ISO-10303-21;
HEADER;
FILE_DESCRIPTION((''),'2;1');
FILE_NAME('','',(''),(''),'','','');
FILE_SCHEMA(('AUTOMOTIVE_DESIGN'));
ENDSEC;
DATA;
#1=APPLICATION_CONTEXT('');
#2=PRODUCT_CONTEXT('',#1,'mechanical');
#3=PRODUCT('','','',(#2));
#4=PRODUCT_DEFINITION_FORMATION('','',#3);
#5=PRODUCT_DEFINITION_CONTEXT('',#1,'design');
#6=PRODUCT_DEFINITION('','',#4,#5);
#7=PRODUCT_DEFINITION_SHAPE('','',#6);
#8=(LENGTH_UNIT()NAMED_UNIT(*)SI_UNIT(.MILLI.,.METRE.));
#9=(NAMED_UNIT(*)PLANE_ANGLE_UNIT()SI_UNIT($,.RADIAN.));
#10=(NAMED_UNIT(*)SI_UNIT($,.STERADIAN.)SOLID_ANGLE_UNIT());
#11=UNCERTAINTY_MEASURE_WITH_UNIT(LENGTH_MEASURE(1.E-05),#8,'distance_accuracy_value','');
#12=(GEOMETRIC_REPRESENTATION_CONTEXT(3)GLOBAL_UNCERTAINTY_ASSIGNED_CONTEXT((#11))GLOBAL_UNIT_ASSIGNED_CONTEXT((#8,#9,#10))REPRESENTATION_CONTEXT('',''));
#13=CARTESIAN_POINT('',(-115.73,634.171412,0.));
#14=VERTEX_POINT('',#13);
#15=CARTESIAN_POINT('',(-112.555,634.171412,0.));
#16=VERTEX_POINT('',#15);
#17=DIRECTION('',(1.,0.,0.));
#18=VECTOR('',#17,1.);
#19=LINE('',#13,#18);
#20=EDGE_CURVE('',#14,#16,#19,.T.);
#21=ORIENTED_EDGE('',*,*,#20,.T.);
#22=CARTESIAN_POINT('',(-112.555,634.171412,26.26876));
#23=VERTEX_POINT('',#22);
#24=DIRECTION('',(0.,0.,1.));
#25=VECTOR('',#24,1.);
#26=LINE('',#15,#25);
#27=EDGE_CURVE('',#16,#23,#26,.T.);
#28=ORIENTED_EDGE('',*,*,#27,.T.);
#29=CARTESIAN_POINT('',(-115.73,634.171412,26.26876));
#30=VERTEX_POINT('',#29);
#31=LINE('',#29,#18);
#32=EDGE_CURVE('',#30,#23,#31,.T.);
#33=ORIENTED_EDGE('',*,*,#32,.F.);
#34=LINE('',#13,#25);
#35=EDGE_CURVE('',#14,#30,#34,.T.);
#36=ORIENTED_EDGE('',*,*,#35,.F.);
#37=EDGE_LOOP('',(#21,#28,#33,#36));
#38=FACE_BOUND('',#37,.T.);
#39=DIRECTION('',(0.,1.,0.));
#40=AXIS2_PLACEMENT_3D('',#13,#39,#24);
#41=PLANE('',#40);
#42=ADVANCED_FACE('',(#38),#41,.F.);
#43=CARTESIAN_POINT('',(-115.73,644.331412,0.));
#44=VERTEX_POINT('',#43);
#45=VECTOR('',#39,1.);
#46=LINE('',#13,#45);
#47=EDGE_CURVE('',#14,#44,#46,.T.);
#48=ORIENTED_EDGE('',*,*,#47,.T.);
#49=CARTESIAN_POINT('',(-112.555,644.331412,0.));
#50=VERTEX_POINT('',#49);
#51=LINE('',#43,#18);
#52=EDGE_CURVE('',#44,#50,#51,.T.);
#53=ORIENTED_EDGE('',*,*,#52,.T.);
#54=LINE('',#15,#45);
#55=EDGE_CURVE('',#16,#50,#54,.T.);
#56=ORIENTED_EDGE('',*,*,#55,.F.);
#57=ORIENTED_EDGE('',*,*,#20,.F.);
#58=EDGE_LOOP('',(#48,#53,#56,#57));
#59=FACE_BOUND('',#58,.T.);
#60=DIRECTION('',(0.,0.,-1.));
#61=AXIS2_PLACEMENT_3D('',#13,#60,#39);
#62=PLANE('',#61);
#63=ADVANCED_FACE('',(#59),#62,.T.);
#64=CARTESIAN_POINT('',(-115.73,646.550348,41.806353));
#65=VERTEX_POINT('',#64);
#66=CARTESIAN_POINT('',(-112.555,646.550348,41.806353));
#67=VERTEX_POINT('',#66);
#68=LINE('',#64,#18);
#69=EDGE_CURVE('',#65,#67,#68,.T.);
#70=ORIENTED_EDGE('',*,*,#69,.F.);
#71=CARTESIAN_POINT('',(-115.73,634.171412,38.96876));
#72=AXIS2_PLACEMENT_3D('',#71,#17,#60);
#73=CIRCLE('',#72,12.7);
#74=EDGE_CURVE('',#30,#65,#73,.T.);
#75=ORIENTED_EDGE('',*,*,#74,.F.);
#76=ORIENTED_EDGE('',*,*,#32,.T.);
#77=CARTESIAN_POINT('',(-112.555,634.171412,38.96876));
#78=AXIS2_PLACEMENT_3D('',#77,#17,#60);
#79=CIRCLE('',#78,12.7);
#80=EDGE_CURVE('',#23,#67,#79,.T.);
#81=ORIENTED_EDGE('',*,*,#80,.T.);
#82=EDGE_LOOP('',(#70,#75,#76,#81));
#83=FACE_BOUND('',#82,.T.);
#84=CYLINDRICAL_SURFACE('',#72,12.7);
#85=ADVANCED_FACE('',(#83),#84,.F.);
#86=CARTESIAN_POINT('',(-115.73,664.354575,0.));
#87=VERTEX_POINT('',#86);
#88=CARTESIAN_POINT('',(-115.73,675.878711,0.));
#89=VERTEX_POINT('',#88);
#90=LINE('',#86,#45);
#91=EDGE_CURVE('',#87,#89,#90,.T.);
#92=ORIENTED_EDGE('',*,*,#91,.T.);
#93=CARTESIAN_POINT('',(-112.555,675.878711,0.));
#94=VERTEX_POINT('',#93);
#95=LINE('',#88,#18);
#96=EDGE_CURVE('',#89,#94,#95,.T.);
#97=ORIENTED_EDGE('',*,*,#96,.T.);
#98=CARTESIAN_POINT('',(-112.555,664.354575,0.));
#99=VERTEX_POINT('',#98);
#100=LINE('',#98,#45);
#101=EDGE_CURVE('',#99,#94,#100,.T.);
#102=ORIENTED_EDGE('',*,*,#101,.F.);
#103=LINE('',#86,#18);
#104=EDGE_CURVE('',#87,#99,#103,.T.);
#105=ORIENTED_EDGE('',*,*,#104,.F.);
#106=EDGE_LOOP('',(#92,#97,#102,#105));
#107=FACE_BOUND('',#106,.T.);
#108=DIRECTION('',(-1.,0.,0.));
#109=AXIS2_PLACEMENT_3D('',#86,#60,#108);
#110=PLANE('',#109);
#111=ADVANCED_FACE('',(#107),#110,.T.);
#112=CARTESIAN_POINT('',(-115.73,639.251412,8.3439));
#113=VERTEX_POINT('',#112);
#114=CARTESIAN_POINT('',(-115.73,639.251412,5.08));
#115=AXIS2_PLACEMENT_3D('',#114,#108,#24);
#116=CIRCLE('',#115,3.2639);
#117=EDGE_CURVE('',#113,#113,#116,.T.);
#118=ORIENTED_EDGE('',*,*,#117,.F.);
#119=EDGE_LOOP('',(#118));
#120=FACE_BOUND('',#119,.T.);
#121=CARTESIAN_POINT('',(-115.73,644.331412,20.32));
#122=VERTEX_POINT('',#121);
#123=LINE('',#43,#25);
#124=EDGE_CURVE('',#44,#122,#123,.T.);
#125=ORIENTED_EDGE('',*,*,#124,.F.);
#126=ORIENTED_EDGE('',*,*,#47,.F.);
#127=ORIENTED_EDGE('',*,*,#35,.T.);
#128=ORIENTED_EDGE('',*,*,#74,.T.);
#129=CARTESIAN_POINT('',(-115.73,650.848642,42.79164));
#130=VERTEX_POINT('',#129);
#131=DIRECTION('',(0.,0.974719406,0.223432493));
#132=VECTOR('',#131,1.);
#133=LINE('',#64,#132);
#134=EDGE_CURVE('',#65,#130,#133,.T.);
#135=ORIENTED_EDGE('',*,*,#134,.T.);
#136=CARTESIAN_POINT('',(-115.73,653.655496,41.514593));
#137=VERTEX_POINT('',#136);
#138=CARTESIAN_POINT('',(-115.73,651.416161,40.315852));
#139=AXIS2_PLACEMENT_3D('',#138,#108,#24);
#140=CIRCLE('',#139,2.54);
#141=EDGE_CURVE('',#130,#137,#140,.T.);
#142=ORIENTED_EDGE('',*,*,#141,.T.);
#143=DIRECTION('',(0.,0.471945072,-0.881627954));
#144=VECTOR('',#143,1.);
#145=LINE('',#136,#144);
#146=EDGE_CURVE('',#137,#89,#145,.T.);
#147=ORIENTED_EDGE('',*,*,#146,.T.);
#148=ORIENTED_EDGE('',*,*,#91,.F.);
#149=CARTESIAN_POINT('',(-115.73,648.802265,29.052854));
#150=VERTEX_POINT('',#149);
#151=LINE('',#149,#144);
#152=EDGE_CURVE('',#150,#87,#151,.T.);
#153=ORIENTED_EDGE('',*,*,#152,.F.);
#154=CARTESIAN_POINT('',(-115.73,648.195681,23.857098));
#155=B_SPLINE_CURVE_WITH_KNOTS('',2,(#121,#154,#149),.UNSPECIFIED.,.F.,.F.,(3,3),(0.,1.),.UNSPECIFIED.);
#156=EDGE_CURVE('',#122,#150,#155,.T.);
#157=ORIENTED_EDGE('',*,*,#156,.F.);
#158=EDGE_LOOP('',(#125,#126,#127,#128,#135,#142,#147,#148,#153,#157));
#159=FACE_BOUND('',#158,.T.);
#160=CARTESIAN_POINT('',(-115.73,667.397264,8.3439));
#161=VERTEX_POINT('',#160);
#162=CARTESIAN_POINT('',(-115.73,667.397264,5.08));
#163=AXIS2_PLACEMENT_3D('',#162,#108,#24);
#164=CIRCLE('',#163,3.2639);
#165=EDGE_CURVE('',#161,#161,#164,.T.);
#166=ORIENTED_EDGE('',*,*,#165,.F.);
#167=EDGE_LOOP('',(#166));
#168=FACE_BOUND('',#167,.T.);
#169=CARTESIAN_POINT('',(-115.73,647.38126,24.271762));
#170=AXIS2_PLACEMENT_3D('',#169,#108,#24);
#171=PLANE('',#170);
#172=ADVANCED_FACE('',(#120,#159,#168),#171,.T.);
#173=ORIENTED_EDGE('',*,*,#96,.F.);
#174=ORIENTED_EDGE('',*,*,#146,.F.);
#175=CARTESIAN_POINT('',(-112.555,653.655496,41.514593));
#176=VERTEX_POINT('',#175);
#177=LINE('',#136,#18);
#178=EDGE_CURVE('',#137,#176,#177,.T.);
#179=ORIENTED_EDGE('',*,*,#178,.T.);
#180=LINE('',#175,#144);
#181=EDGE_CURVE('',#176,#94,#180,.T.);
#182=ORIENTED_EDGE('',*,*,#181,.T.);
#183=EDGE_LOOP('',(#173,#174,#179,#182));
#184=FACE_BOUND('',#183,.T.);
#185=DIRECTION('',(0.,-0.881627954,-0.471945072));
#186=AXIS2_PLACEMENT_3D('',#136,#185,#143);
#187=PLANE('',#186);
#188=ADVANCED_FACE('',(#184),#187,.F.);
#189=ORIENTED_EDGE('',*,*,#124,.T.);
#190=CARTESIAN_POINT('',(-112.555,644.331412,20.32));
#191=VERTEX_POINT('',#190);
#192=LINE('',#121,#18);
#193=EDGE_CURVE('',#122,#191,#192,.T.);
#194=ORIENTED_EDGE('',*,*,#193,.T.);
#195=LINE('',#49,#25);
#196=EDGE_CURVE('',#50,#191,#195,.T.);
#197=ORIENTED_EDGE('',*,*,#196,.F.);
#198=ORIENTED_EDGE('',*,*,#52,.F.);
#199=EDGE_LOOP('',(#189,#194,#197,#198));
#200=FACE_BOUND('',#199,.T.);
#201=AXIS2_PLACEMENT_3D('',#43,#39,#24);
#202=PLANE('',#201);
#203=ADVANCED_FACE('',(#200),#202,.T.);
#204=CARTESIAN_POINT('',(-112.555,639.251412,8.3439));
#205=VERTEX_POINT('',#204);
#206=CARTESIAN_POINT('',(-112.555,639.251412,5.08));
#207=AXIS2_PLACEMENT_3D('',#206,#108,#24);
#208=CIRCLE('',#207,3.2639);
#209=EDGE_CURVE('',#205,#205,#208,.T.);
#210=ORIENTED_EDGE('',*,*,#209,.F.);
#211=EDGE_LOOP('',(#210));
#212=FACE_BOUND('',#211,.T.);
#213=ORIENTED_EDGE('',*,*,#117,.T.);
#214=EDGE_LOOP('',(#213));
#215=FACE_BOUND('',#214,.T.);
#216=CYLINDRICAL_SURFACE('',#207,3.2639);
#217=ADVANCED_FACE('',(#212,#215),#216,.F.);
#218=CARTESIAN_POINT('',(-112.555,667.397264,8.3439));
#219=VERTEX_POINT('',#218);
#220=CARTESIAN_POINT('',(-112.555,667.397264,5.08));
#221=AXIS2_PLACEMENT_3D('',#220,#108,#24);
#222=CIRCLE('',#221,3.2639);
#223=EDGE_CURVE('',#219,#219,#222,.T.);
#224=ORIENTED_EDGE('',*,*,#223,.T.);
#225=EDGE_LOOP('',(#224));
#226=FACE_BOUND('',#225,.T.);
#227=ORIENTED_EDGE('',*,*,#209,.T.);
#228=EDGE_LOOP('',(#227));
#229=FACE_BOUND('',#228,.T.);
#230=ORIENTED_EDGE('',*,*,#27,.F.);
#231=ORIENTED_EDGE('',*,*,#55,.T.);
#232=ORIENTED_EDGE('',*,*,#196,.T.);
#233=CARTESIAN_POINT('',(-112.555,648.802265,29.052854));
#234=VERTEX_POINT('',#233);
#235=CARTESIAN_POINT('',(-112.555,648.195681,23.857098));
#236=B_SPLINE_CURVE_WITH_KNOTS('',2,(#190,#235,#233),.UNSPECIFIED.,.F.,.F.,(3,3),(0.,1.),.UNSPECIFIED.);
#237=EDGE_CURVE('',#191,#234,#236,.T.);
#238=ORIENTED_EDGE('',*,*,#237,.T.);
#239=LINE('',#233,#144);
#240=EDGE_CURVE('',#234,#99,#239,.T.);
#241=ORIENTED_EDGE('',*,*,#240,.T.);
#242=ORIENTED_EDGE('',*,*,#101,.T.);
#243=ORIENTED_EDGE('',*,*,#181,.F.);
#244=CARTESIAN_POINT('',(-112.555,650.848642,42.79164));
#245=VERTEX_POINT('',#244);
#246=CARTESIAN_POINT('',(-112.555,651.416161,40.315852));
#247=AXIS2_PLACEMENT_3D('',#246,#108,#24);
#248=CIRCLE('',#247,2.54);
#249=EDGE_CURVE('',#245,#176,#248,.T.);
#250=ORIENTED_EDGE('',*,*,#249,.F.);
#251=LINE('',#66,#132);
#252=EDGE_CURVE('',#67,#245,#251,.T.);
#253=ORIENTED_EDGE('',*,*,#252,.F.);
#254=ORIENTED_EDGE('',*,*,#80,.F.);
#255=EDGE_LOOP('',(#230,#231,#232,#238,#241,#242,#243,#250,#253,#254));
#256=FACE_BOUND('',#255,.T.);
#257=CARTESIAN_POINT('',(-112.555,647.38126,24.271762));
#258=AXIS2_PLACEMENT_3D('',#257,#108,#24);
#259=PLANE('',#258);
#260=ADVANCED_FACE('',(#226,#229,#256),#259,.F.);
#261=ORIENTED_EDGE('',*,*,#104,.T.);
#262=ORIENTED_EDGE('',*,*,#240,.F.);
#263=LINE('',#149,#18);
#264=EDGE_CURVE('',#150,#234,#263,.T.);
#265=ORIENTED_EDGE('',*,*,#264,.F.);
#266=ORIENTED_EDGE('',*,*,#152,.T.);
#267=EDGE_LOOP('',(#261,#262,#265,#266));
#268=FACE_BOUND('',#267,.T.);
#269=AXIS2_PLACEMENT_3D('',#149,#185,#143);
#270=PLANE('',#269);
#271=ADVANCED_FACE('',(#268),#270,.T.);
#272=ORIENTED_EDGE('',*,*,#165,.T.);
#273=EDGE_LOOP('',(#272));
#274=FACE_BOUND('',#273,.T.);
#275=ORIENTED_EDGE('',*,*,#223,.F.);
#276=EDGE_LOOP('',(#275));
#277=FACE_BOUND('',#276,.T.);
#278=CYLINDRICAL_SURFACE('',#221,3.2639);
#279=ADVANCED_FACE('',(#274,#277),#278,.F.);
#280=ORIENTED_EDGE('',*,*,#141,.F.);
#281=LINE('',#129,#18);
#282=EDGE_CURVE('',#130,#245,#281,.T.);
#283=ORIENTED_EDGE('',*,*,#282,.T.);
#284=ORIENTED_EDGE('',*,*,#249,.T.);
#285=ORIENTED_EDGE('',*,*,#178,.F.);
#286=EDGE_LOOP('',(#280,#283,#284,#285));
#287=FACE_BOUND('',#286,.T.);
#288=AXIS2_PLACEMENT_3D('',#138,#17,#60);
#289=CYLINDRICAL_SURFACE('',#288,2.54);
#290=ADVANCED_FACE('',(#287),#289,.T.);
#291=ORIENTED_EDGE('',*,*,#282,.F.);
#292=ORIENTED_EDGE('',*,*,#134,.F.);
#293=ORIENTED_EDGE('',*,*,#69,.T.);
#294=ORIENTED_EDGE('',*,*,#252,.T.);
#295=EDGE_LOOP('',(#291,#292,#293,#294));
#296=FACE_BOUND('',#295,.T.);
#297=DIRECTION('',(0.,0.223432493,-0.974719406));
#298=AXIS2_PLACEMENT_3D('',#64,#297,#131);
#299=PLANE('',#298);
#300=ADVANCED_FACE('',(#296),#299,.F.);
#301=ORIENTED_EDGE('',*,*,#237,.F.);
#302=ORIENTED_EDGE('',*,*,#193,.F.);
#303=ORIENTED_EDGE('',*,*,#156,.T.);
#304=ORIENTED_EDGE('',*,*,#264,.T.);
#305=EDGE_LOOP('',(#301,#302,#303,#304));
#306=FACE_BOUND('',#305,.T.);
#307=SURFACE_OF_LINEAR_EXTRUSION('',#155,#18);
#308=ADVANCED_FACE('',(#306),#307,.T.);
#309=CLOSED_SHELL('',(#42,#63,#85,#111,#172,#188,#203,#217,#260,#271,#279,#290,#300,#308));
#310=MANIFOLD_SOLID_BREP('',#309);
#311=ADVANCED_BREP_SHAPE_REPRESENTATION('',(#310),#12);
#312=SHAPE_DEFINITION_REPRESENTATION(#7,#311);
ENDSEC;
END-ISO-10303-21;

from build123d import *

# Parameters (mm, degrees)
BOSS_EXTRUDE1_DEPTH = 3.175
SKETCH7_R           = 3.2639
CUT_EXTRUDE3_DEPTH  = 678.24348403


with BuildPart() as part:
    # Sketch2 → Boss-Extrude1 (new body)
    with BuildSketch(Plane(origin=(-112.555, 0, -573.58969557), x_dir=(0, 0.6231241879767124, 0.7821229100073485), z_dir=(-1, 0, 0))):
        with BuildLine():
            Line((843.785187932, 138.582376841), (864.330586832, 122.213677187))
            ThreePointArc((864.330586832, 122.213677187), (874.263547789, 127), (884.196508746, 122.213677187))
            Line((884.196508746, 122.213677187), (887.645495372, 124.961515108))
            ThreePointArc((887.645495372, 124.961515108), (888.526447304, 126.330171585), (888.395706135, 127.952578317))
            Line((888.395706135, 127.952578317), (869.77401473, 171.202610873))
            Line((869.77401473, 171.202610873), (862.593047153, 162.189320479))
            Line((862.593047153, 162.189320479), (875.624929298, 131.921966414))
            add(Edge.make_bspline(
                [(866.008867214, 133.866862107), (871.18323177, 134.685144315), (875.624929298, 131.921966414)],
                knots=[0, 0, 0, 1, 1, 1], degree=2))
            Line((866.008867214, 133.866862107), (850.116129682, 146.528745607))
            Line((850.116129682, 146.528745607), (843.785187932, 138.582376841))
        make_face()
    extrude(amount=BOSS_EXTRUDE1_DEPTH)

    # Sketch7 → Cut-Extrude3 (cut, through all)
    with BuildSketch(Plane.ZY.offset(115.73)):
        with Locations((5.08, 639.251411908)):
            Circle(SKETCH7_R)
        with Locations((5.08, 667.397263635)):
            Circle(SKETCH7_R)
    extrude(amount=-CUT_EXTRUDE3_DEPTH, mode=Mode.SUBTRACT)


solid = part.part
